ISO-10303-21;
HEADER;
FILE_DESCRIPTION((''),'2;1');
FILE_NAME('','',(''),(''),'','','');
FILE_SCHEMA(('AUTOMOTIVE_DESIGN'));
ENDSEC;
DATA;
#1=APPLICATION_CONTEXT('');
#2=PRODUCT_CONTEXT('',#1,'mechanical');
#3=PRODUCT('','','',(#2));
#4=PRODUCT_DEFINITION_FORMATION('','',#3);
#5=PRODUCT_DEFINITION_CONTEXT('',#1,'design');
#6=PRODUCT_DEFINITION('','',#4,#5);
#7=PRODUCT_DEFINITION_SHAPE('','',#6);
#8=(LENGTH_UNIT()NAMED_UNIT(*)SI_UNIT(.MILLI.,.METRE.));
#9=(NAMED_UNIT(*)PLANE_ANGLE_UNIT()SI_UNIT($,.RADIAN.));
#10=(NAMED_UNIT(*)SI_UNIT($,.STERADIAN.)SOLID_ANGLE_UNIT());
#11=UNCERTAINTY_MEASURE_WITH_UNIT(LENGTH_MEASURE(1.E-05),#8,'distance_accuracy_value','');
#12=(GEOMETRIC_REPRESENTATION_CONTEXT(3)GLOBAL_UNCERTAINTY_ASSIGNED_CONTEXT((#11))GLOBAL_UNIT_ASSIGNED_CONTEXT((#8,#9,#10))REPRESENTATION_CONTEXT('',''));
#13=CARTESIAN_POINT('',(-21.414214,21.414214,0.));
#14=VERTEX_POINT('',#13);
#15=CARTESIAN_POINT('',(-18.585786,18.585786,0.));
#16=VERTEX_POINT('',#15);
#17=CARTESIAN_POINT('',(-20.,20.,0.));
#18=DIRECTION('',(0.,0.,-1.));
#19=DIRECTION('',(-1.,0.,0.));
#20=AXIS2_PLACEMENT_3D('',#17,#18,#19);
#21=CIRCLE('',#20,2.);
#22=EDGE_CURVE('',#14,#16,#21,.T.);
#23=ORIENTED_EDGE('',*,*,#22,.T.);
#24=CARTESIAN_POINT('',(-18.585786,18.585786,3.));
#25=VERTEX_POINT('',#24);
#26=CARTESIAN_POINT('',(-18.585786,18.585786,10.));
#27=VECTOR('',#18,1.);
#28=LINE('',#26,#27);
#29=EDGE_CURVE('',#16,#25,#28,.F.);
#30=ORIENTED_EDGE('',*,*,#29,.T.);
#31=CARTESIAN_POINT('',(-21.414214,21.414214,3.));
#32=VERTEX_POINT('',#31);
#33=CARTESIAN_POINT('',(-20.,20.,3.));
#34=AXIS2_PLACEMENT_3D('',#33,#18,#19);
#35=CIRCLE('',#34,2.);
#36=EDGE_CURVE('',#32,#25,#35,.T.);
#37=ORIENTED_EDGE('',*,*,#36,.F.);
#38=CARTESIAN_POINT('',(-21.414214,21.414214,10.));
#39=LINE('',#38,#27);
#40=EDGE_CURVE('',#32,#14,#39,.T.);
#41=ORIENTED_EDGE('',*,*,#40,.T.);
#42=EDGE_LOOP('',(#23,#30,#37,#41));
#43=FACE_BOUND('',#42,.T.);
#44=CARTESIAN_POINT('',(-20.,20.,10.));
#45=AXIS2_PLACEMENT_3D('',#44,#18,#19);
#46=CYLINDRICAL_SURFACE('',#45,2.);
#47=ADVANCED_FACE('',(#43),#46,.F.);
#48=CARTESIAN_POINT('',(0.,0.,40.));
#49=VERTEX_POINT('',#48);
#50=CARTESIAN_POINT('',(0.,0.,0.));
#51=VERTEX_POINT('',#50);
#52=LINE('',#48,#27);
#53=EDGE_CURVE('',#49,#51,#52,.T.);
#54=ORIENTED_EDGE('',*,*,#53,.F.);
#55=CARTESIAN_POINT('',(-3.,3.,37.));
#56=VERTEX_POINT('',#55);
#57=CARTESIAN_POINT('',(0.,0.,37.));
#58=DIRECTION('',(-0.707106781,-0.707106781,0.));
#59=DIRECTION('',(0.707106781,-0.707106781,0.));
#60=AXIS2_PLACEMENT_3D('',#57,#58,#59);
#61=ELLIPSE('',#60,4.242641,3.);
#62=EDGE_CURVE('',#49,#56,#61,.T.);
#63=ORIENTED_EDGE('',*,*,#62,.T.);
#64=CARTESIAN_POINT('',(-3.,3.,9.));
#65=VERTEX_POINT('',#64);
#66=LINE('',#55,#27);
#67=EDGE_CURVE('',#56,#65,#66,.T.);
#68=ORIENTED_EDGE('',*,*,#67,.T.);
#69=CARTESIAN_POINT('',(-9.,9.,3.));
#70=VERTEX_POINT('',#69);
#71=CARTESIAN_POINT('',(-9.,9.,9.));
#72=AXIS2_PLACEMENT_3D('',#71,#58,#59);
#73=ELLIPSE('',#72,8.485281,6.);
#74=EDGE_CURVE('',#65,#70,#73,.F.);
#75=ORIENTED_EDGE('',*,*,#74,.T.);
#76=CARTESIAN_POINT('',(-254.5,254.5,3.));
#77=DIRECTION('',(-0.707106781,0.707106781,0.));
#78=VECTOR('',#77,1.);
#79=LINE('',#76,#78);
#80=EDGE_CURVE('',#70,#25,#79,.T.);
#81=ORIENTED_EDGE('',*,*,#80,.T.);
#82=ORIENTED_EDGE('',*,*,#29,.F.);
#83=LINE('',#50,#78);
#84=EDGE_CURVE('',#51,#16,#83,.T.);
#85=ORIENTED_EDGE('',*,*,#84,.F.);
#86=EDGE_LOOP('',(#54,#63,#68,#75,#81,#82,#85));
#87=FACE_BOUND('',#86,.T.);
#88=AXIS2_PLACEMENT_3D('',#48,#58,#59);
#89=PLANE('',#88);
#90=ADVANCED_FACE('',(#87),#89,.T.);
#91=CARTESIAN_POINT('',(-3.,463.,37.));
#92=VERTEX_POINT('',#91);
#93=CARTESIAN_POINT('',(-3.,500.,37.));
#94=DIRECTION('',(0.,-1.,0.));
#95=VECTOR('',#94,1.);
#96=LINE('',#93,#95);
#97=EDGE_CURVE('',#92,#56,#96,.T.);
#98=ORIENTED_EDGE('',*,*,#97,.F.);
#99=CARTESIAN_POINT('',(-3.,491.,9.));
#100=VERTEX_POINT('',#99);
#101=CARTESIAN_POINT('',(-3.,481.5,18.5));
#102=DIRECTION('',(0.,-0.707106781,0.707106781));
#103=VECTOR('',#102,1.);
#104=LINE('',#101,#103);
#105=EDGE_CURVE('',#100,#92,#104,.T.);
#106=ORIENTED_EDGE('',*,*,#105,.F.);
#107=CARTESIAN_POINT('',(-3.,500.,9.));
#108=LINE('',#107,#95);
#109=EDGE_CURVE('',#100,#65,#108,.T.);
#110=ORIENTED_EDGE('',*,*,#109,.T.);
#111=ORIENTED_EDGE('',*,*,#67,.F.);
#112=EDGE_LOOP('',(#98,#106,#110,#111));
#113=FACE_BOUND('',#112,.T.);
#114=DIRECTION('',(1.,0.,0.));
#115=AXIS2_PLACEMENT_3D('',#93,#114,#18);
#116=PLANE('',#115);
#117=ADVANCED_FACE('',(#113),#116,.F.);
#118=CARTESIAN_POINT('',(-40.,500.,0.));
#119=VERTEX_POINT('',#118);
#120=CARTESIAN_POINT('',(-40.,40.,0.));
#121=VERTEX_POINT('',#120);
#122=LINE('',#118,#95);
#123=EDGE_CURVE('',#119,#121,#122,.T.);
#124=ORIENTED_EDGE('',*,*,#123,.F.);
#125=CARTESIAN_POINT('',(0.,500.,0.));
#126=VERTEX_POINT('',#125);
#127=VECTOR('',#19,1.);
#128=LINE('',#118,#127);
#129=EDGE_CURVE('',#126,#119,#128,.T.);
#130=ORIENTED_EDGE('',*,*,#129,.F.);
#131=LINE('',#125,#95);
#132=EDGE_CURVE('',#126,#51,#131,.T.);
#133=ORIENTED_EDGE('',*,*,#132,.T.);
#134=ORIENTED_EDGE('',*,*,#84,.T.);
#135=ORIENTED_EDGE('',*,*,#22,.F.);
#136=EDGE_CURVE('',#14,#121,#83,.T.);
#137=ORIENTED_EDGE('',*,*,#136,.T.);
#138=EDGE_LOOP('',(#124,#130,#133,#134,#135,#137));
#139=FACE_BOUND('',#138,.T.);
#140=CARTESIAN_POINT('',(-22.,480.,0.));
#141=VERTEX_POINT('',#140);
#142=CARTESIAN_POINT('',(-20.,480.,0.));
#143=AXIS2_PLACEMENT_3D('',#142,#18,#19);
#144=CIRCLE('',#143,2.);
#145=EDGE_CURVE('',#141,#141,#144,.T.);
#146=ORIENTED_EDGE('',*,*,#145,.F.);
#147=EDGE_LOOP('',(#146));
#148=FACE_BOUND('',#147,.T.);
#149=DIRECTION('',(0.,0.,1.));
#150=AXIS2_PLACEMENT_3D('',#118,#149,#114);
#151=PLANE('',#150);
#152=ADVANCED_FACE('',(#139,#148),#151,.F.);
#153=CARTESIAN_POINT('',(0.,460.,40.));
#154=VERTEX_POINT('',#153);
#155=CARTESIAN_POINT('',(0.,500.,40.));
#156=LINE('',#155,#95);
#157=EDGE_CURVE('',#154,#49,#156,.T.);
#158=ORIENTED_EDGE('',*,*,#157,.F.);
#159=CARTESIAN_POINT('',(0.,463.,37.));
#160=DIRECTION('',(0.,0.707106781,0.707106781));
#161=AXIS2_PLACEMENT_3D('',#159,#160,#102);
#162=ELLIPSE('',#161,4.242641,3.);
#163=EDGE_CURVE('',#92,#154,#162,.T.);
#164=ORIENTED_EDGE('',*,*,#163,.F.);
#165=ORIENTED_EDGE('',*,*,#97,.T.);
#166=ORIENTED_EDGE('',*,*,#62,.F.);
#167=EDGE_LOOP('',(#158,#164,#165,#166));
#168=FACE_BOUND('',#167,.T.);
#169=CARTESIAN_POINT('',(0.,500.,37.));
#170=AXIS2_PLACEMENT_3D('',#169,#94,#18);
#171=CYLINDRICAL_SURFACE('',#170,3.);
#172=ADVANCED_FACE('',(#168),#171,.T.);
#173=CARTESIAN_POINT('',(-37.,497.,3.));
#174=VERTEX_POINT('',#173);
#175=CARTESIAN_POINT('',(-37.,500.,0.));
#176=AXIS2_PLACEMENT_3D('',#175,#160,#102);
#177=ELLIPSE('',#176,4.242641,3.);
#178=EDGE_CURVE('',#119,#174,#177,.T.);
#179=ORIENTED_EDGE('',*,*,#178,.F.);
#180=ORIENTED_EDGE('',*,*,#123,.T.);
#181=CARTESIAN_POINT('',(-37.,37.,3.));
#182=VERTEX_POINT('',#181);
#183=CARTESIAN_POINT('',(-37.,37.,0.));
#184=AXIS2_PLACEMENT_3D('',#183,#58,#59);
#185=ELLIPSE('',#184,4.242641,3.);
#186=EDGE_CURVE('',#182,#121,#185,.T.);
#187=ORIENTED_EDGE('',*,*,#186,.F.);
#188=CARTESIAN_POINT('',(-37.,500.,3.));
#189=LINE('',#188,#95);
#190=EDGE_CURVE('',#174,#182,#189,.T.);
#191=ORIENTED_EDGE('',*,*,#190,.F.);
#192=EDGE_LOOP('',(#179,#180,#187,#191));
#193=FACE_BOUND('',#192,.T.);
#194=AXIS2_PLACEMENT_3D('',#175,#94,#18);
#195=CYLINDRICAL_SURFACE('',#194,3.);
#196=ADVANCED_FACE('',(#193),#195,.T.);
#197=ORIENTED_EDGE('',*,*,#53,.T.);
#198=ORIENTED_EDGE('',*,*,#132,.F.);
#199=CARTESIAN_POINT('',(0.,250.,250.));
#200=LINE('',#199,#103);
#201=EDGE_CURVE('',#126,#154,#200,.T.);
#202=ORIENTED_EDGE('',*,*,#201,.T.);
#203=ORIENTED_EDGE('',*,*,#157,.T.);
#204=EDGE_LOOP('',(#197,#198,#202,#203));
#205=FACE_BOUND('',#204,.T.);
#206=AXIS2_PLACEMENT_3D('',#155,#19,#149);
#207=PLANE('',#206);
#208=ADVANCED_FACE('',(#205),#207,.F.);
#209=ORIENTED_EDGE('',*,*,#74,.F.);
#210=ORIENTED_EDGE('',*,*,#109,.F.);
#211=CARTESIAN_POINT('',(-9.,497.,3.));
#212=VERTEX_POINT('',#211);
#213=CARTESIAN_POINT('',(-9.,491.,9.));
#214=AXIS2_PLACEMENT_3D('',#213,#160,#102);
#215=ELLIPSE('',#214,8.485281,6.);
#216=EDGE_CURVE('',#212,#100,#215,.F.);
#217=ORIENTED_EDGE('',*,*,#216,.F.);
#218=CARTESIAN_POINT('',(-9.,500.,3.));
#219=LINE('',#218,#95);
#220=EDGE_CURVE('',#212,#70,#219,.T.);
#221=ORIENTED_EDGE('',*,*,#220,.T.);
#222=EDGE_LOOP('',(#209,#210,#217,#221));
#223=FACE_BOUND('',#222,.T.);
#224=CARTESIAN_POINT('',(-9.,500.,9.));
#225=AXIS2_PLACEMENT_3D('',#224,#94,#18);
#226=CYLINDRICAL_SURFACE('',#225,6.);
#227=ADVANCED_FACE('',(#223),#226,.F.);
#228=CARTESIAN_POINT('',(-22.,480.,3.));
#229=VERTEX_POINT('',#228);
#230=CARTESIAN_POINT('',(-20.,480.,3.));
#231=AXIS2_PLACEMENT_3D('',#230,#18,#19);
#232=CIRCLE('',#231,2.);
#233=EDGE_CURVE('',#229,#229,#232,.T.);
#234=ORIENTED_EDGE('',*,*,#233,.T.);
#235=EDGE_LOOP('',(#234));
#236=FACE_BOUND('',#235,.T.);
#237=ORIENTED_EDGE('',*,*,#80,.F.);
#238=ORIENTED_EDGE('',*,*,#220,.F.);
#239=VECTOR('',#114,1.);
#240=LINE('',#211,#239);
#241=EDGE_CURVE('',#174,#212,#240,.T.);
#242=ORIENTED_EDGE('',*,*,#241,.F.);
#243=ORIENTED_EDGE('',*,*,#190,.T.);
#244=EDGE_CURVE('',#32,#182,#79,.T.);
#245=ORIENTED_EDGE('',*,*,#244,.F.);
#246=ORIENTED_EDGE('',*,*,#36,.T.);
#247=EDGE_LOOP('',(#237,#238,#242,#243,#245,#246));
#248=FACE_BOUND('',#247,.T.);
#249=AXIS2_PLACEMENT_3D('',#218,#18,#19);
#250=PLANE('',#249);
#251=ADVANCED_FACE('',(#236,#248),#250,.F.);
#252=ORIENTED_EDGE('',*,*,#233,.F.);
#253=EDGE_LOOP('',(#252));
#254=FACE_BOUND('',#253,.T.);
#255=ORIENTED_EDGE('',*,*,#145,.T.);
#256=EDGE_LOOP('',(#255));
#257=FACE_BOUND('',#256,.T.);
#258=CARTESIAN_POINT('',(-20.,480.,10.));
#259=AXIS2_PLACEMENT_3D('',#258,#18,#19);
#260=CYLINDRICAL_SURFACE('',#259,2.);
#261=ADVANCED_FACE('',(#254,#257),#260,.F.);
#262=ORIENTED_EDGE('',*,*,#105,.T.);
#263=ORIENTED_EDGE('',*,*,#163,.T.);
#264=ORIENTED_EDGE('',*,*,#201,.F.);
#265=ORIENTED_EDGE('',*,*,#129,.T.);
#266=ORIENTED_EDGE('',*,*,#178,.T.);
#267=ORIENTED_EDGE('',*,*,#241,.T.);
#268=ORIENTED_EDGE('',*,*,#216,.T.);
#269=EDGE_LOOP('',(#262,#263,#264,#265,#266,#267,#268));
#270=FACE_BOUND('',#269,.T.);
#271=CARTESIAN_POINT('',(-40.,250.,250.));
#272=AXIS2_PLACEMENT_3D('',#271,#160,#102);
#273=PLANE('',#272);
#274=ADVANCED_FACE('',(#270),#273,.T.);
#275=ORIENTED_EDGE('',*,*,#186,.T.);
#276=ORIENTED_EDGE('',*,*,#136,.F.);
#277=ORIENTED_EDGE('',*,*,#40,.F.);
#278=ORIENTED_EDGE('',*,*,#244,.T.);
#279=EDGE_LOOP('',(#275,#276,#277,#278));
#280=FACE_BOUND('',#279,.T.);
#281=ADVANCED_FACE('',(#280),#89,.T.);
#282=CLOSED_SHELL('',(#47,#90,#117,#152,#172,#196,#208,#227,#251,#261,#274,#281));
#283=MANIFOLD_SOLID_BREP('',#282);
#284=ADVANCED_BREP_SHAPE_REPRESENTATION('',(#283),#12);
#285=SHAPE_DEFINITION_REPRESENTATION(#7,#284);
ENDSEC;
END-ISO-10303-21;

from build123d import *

# Parameters (mm, degrees)
L_ANGLE_EQUAL_40X40X3_1_DEPTH = 500
CUT_EXTRUDE1_DEPTH            = 504.189825016
CUT_EXTRUDE2_DEPTH            = 504.189825016
SKETCH16_R                    = 2
CUT_EXTRUDE3_DEPTH            = 10


with BuildPart() as part:
    # Sketch11 → L angle (equal) 40X40X3(1) (new body)
    with BuildSketch(Plane(origin=(0, 0, 0), x_dir=(-1, 0, 0), z_dir=(0, 1, 0))):
        with BuildLine():
            Line((0, 40), (0, 0))
            Line((0, 0), (40, 0))
            ThreePointArc((40, 0), (39.121320344, 2.121320344), (37, 3))
            Line((37, 3), (9, 3))
            ThreePointArc((9, 3), (4.757359313, 4.757359313), (3, 9))
            Line((3, 9), (3, 37))
            ThreePointArc((3, 37), (2.121320344, 39.121320344), (0, 40))
        make_face()
    extrude(amount=L_ANGLE_EQUAL_40X40X3_1_DEPTH)

    # Sketch12 → Cut-Extrude1 (cut, through all)
    with BuildSketch(Plane(origin=(0, 0, 0), x_dir=(0, 0, -1), z_dir=(1, 0, 0))):
        Polygon((0, 500), (-40, 500), (-40, 460), align=None)
    extrude(amount=-CUT_EXTRUDE1_DEPTH, mode=Mode.SUBTRACT)

    # Sketch14 → Cut-Extrude2 (cut, through all)
    with BuildSketch(Plane(origin=(0, 0, 0), x_dir=(-1, 0, 0), z_dir=(0, 0, -1))):
        Polygon((40, 40), (0, 0), (40, 0), align=None)
    extrude(amount=-CUT_EXTRUDE2_DEPTH, mode=Mode.SUBTRACT)

    # Sketch16 → Cut-Extrude3 (cut)
    with BuildSketch(Plane(origin=(0, 0, 0), x_dir=(-1, 0, 0), z_dir=(0, 0, -1))):
        with Locations((20, 480)):
            Circle(SKETCH16_R)
        with Locations((20, 20)):
            Circle(SKETCH16_R)
    extrude(amount=-CUT_EXTRUDE3_DEPTH, mode=Mode.SUBTRACT)


solid = part.part
